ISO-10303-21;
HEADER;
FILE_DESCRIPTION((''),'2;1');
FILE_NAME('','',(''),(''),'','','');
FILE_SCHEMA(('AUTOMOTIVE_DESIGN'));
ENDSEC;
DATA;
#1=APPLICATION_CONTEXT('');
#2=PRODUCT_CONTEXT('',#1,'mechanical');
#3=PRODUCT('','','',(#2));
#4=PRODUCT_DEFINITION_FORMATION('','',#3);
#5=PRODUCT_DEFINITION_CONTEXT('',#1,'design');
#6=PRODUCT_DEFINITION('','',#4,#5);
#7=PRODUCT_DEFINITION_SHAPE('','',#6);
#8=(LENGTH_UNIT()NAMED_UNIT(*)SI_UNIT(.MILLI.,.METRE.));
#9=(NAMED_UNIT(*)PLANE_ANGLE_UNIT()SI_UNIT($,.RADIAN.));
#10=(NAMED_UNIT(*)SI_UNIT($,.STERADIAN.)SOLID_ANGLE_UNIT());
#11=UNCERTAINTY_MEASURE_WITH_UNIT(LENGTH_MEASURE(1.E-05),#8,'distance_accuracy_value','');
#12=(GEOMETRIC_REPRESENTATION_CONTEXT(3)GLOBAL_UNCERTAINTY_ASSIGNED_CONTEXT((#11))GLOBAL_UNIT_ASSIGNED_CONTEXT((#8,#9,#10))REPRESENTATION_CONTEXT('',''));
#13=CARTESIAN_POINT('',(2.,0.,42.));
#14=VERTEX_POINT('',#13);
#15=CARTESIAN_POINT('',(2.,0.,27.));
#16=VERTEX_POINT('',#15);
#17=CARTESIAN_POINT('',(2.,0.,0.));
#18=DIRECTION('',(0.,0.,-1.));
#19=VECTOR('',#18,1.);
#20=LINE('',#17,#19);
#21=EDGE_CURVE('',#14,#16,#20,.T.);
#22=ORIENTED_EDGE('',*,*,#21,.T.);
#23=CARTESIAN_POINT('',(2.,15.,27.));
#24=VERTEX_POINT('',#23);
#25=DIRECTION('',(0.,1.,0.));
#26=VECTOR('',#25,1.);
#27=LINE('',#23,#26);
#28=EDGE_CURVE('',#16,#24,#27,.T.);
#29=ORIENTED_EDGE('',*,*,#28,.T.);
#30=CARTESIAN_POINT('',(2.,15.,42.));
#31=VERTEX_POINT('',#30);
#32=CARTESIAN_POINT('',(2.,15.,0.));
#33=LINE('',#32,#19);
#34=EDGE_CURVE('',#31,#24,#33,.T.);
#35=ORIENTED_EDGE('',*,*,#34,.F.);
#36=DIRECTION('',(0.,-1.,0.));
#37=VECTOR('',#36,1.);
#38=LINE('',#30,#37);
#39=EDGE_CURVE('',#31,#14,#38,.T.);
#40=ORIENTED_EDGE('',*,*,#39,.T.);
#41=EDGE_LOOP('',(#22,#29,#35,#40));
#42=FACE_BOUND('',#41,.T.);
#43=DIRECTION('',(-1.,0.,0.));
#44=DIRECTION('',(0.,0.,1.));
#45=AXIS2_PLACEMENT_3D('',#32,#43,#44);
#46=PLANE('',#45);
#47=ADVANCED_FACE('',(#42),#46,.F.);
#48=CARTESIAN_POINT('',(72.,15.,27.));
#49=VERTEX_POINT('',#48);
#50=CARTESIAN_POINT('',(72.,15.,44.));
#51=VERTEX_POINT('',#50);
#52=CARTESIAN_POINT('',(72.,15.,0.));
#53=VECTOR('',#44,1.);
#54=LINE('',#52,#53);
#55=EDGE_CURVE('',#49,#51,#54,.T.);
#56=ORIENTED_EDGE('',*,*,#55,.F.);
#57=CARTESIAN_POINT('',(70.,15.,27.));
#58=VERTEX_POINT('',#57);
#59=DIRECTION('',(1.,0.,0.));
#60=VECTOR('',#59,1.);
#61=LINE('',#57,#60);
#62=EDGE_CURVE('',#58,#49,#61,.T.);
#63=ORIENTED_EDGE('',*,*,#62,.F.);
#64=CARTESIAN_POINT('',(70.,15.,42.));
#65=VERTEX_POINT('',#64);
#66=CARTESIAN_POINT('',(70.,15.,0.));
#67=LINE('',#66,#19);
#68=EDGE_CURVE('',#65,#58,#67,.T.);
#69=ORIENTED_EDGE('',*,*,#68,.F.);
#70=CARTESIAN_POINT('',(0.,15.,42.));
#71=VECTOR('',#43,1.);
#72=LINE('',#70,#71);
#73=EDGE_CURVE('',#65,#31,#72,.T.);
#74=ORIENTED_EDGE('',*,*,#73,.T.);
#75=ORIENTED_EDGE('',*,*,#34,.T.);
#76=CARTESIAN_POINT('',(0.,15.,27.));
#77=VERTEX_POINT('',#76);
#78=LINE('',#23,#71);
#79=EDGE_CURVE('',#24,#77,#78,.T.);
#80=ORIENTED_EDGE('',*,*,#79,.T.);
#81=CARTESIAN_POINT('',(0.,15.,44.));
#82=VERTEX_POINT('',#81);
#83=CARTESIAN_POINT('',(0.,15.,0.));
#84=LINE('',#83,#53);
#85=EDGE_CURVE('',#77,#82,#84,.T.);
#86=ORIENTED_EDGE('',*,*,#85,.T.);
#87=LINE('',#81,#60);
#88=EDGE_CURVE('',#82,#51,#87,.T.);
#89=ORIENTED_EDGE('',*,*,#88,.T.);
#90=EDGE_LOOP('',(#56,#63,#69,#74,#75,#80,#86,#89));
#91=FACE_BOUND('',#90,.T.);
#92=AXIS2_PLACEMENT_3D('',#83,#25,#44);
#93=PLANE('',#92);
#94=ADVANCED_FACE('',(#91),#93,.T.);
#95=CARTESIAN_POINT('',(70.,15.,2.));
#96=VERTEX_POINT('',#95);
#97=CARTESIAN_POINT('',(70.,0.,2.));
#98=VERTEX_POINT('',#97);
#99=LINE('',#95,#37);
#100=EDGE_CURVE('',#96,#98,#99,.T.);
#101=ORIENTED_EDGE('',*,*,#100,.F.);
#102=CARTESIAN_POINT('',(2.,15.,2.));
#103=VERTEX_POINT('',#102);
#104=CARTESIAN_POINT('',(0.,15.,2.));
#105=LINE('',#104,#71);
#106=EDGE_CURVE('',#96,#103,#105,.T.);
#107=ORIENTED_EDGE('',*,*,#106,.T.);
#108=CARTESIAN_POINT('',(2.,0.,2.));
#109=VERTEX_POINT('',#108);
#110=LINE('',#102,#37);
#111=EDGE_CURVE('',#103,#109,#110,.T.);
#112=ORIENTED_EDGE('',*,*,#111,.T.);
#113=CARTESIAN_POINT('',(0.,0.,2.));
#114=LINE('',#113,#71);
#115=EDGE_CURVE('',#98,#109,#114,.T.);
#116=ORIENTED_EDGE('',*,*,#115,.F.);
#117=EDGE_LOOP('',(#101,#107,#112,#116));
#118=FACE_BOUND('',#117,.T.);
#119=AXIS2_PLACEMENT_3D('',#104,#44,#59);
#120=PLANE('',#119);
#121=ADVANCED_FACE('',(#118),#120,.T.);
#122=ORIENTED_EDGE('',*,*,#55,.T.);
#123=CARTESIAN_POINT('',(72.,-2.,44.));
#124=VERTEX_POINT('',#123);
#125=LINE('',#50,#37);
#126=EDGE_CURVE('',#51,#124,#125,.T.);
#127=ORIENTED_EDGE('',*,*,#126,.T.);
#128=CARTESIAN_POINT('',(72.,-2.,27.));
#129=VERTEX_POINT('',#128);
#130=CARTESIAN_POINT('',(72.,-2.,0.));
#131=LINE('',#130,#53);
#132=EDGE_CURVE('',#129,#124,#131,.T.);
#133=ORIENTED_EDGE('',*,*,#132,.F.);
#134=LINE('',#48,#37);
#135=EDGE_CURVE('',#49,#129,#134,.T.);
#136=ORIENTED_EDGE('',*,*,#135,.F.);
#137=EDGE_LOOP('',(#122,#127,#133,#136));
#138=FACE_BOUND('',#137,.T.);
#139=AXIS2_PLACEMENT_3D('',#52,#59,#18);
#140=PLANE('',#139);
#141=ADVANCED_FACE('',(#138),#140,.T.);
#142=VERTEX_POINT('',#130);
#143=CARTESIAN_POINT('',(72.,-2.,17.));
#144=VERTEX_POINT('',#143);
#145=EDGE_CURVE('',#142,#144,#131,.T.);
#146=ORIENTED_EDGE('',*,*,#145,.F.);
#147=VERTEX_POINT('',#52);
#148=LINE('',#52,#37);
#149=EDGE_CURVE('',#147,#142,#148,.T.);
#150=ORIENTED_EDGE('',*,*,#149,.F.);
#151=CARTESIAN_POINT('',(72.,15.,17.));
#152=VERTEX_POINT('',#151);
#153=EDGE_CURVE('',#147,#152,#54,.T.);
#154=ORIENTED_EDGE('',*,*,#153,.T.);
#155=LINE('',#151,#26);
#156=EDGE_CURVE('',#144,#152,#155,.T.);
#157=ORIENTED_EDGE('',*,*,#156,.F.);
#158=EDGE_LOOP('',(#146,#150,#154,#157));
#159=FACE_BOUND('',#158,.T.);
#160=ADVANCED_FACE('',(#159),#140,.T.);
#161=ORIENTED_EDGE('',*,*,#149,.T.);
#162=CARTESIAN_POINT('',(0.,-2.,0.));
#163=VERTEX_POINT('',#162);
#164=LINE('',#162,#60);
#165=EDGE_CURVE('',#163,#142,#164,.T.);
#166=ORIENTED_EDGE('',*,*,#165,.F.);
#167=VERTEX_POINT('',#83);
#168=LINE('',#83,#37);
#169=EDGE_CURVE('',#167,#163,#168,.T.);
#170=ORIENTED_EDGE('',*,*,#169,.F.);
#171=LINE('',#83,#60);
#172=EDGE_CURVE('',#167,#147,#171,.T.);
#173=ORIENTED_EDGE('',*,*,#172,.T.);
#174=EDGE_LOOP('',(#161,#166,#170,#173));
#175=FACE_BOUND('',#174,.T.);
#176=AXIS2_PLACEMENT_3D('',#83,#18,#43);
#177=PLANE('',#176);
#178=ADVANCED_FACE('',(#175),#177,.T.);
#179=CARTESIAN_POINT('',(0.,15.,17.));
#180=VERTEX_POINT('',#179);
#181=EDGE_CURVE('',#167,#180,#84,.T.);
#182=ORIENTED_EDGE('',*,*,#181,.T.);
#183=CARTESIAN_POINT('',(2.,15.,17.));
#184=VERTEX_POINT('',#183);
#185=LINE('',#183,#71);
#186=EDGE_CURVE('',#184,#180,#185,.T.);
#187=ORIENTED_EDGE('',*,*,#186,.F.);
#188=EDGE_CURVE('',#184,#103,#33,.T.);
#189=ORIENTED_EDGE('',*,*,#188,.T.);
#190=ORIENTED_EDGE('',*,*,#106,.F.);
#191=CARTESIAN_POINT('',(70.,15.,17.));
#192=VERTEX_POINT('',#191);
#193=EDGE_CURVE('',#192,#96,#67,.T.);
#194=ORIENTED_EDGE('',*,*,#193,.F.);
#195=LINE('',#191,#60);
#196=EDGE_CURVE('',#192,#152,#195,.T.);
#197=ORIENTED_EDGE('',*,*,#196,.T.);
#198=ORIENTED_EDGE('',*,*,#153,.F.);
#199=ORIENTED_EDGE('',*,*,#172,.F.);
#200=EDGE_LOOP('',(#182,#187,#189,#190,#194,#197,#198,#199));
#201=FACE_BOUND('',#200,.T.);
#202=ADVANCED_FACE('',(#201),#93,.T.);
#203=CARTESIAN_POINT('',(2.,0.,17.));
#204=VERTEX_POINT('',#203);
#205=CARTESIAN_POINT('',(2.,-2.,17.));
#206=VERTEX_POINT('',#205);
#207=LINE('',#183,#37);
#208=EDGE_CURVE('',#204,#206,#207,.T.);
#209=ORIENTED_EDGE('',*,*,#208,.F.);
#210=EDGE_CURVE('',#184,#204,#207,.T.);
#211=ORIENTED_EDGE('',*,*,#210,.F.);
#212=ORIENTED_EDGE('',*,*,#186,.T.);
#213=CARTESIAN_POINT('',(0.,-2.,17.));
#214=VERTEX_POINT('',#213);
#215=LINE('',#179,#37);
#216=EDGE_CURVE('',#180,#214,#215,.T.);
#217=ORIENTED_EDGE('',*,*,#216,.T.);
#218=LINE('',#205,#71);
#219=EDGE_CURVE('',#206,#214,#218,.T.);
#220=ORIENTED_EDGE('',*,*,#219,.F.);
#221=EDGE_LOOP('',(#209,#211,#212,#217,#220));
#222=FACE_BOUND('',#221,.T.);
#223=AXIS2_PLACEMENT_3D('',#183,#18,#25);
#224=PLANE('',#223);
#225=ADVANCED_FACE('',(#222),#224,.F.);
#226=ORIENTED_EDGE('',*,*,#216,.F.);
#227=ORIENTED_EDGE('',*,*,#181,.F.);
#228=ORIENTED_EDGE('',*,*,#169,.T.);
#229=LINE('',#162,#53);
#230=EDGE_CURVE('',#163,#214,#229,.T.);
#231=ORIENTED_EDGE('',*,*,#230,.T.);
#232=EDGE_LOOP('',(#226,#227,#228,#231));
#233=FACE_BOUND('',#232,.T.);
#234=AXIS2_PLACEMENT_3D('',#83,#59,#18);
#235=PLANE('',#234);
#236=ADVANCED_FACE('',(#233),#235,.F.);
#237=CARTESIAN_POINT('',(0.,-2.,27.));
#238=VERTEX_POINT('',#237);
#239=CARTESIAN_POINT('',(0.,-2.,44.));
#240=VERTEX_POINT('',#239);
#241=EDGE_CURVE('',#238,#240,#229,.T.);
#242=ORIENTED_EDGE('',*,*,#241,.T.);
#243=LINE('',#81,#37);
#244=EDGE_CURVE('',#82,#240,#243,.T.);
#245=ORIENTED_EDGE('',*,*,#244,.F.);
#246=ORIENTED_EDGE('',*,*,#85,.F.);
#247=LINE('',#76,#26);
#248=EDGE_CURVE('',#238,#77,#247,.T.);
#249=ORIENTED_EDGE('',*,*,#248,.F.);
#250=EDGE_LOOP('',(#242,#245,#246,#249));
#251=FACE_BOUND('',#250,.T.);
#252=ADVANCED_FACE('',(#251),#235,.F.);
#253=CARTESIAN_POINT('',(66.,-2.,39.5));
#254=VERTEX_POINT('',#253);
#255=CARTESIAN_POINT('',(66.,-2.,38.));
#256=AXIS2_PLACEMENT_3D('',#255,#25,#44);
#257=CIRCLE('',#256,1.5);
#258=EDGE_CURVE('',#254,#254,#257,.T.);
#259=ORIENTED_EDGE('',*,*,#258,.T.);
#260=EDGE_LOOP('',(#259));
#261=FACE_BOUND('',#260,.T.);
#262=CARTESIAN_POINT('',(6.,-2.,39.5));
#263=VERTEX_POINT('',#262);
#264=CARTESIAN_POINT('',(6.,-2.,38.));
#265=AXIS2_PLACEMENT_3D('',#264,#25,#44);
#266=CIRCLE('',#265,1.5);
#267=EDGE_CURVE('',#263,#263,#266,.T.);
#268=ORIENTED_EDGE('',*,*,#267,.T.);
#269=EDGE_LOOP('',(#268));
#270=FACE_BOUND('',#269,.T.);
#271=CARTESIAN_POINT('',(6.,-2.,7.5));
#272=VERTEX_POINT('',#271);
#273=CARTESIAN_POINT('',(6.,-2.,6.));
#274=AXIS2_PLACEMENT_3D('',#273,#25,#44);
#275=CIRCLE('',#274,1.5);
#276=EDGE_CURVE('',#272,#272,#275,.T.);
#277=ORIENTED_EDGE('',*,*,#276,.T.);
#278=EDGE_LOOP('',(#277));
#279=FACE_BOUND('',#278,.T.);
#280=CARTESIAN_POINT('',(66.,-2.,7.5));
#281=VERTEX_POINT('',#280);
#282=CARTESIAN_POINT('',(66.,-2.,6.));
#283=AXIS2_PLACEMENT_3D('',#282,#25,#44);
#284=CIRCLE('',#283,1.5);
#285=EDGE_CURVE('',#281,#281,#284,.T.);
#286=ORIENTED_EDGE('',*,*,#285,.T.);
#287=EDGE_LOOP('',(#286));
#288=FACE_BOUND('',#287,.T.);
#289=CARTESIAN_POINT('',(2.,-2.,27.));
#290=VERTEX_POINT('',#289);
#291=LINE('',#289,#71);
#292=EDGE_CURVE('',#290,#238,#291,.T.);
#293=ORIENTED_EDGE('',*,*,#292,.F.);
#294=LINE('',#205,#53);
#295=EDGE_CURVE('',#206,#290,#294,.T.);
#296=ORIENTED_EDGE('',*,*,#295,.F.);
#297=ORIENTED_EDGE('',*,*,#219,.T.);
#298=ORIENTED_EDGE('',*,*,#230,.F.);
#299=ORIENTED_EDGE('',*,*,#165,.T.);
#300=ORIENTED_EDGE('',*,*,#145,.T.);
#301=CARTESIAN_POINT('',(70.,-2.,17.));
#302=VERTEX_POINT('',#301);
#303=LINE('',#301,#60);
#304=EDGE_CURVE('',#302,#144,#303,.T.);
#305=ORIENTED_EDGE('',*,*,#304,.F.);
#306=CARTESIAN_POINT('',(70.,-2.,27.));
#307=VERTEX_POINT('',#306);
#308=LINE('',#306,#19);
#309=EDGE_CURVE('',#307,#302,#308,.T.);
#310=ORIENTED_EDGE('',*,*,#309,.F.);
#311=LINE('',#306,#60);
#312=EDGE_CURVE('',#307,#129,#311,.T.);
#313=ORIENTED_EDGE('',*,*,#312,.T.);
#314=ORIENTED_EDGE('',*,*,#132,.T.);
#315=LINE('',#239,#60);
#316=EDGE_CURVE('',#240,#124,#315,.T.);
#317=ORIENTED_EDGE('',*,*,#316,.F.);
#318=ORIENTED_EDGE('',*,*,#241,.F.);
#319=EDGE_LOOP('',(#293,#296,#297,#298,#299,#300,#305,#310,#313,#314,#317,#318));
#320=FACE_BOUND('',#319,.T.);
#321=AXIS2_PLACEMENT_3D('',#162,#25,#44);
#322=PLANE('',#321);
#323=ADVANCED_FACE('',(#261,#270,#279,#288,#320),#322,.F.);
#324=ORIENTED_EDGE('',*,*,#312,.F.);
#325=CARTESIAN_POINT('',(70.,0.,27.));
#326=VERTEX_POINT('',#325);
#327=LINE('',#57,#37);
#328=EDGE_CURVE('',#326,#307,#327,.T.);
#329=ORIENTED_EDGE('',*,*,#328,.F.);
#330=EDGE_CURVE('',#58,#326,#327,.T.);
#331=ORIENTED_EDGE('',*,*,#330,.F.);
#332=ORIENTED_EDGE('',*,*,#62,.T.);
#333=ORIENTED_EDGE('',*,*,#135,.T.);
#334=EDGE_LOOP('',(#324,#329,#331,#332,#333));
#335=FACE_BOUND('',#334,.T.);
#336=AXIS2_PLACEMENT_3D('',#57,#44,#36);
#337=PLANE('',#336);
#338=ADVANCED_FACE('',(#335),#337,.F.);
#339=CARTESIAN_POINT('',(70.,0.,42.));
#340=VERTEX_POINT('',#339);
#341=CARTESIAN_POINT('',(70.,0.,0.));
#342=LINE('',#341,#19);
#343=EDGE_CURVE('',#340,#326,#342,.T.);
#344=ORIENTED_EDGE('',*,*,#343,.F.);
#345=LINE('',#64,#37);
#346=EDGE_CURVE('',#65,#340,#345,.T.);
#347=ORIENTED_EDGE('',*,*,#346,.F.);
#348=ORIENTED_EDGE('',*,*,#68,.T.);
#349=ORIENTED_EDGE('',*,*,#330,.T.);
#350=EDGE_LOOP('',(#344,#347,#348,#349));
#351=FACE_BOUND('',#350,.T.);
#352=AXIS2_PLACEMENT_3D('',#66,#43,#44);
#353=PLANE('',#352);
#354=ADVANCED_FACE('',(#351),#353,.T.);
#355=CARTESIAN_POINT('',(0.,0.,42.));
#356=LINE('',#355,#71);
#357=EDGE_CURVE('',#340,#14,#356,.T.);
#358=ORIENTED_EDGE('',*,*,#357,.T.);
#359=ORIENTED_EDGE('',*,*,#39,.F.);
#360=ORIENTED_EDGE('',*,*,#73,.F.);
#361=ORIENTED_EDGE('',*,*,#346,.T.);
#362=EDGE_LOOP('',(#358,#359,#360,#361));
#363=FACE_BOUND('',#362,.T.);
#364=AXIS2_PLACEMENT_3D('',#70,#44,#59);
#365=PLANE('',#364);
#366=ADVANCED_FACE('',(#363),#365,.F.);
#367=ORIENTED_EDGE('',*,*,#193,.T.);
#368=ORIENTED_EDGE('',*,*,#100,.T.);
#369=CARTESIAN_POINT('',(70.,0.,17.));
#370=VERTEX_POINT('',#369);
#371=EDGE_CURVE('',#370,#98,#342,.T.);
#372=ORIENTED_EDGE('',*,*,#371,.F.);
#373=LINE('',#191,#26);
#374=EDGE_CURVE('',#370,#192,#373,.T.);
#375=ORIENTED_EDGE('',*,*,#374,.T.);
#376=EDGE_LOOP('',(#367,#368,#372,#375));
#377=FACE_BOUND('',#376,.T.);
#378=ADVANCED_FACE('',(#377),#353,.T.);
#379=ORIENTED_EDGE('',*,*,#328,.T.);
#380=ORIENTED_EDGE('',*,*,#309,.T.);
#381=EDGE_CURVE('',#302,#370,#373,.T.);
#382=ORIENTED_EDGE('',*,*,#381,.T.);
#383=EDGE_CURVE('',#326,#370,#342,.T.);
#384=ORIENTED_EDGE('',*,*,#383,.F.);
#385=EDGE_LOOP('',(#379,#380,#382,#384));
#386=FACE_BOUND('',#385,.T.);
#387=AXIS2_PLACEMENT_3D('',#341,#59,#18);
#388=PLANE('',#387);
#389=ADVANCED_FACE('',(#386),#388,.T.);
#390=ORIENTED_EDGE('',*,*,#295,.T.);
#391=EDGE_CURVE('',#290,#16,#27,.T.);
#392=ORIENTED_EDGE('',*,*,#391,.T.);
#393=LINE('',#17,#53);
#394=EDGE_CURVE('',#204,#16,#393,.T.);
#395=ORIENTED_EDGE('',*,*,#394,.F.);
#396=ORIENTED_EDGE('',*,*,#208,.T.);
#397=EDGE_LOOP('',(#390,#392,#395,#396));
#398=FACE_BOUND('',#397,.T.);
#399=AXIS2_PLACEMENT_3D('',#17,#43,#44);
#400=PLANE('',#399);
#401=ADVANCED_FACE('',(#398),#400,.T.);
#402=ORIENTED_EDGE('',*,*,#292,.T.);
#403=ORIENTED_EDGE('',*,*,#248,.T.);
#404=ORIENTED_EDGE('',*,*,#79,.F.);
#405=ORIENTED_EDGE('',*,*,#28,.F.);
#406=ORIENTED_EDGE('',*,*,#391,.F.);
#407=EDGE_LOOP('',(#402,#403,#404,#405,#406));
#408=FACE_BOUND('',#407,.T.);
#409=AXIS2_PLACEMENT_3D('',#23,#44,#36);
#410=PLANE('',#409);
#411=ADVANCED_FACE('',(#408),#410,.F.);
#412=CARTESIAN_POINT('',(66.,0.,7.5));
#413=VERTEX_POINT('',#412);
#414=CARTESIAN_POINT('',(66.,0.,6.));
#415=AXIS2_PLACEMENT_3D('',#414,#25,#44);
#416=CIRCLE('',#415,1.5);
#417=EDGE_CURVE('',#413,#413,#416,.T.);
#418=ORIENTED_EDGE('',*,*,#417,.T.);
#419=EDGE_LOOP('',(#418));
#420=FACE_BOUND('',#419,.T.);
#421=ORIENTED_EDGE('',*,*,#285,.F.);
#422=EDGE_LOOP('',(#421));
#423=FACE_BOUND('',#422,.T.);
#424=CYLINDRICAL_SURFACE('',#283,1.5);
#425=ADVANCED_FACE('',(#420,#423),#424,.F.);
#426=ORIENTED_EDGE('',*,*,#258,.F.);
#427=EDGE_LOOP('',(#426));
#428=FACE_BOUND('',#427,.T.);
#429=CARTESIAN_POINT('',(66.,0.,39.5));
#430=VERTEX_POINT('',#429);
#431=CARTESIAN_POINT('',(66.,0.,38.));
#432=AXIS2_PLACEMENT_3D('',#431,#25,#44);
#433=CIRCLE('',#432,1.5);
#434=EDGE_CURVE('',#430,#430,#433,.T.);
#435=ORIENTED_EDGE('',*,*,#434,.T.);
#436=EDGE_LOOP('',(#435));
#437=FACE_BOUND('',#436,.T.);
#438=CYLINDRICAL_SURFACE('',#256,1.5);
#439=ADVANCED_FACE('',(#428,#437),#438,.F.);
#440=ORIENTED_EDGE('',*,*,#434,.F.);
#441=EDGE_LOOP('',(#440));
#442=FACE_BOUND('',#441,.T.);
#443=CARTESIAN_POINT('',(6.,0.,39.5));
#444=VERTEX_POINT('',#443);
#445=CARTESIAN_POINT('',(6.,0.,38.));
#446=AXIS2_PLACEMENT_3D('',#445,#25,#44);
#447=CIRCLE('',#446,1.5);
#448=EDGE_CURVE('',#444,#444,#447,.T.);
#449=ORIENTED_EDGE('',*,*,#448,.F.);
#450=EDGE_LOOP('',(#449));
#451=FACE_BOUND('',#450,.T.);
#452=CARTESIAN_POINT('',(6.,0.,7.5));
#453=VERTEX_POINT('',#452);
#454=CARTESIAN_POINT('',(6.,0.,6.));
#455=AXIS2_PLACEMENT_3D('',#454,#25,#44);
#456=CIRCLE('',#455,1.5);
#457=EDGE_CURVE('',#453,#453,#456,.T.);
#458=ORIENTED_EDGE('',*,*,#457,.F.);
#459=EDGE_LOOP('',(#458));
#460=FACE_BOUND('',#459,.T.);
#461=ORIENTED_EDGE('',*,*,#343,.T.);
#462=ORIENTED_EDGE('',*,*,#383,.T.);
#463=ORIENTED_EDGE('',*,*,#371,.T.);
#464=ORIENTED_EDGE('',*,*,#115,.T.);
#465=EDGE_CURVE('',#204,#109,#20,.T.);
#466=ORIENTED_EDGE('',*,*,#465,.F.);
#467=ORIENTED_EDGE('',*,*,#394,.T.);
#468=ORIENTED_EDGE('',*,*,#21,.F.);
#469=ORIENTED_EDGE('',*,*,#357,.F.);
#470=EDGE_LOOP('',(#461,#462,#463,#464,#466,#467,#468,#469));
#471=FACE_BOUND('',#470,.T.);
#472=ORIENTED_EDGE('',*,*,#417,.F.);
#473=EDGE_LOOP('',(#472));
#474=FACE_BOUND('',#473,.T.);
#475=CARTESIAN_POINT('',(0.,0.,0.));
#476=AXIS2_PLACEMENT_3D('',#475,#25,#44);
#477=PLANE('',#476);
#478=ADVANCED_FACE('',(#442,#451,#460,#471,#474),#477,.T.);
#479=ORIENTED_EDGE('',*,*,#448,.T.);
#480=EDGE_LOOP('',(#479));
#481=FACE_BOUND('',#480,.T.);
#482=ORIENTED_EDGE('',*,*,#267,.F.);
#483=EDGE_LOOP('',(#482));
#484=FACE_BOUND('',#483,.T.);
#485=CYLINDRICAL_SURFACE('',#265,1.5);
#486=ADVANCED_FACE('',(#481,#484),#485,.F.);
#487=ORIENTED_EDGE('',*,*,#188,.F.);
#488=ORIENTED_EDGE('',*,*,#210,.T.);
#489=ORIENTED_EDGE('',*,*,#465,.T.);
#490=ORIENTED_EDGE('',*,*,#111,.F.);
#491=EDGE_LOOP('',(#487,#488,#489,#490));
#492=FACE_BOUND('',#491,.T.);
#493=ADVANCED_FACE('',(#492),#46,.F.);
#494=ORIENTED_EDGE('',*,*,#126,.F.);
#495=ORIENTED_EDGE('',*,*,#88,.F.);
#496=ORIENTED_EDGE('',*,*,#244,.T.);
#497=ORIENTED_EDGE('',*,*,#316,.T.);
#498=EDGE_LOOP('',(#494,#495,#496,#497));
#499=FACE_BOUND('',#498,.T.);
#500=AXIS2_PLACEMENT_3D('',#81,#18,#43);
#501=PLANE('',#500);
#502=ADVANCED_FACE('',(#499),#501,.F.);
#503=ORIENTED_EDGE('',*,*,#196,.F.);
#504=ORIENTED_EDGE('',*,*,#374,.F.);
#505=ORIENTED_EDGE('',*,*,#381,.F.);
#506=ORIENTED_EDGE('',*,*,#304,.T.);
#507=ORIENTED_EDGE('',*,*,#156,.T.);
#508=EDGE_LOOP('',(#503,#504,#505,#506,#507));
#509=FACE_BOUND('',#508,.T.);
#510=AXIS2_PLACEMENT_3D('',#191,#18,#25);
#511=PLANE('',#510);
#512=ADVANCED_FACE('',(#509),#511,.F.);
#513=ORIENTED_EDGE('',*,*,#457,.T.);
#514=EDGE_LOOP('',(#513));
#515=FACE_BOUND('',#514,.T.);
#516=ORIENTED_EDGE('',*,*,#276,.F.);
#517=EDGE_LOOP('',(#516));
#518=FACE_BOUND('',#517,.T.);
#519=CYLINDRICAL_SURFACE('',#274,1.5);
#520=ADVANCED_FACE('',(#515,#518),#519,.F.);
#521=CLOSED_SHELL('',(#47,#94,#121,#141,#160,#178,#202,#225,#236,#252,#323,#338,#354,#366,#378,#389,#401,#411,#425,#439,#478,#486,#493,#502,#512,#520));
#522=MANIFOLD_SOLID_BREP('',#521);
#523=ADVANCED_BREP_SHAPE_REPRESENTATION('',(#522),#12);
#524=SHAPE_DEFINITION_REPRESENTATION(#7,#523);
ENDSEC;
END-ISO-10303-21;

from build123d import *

# Parameters (mm, degrees)
SKETCH_2_W          = 72
SKETCH_2_H          = 44
SKETCH_2_W_2        = 68
SKETCH_2_H_2        = 40
EXTRUDE_1_DEPTH     = 15
SKETCH_2_3_W        = 72
SKETCH_2_3_H        = 44
SKETCH_2_3_R        = 1.5
EXTRUDE_2_DEPTH     = 2
SKETCH_4_W          = 10
SKETCH_4_H          = 17
CUT_EXTRUDE_1_DEPTH = 2
SKETCH_5_W          = 10
SKETCH_5_H          = 17
CUT_EXTRUDE_2_DEPTH = 2


with BuildPart() as part:
    # 草图2 → 凸台-拉伸1 (new body)
    with BuildSketch(Plane(origin=(0, 0, 0), x_dir=(1, 0, 0), z_dir=(0, 1, 0))):
        with Locations((36, -22)):
            Rectangle(SKETCH_2_W, SKETCH_2_H)
        with Locations((36, -22)):
            Rectangle(SKETCH_2_W_2, SKETCH_2_H_2, mode=Mode.SUBTRACT)
    extrude(amount=EXTRUDE_1_DEPTH)

    # 草图2<3> → 凸台-拉伸2 (add)
    with BuildSketch(Plane(origin=(0, 0, 0), x_dir=(1, 0, 0), z_dir=(0, 1, 0))):
        with Locations((36, -22)):
            Rectangle(SKETCH_2_3_W, SKETCH_2_3_H)
        with Locations((6, -38)):
            Circle(SKETCH_2_3_R, mode=Mode.SUBTRACT)
        with Locations((66, -38)):
            Circle(SKETCH_2_3_R, mode=Mode.SUBTRACT)
        with Locations((6, -6)):
            Circle(SKETCH_2_3_R, mode=Mode.SUBTRACT)
        with Locations((66, -6)):
            Circle(SKETCH_2_3_R, mode=Mode.SUBTRACT)
    extrude(amount=-EXTRUDE_2_DEPTH)

    # 草图4 → 切除-拉伸1 (cut)
    with BuildSketch(Plane.ZY):
        with Locations((22, 6.5)):
            Rectangle(SKETCH_4_W, SKETCH_4_H)
    extrude(amount=-CUT_EXTRUDE_1_DEPTH, mode=Mode.SUBTRACT)

    # 草图5 → 切除-拉伸2 (cut)
    with BuildSketch(Plane(origin=(72, 0, 0), x_dir=(0, 0, -1), z_dir=(1, 0, 0))):
        with Locations((-22, 6.5)):
            Rectangle(SKETCH_5_W, SKETCH_5_H)
    extrude(amount=-CUT_EXTRUDE_2_DEPTH, mode=Mode.SUBTRACT)


solid = part.part
